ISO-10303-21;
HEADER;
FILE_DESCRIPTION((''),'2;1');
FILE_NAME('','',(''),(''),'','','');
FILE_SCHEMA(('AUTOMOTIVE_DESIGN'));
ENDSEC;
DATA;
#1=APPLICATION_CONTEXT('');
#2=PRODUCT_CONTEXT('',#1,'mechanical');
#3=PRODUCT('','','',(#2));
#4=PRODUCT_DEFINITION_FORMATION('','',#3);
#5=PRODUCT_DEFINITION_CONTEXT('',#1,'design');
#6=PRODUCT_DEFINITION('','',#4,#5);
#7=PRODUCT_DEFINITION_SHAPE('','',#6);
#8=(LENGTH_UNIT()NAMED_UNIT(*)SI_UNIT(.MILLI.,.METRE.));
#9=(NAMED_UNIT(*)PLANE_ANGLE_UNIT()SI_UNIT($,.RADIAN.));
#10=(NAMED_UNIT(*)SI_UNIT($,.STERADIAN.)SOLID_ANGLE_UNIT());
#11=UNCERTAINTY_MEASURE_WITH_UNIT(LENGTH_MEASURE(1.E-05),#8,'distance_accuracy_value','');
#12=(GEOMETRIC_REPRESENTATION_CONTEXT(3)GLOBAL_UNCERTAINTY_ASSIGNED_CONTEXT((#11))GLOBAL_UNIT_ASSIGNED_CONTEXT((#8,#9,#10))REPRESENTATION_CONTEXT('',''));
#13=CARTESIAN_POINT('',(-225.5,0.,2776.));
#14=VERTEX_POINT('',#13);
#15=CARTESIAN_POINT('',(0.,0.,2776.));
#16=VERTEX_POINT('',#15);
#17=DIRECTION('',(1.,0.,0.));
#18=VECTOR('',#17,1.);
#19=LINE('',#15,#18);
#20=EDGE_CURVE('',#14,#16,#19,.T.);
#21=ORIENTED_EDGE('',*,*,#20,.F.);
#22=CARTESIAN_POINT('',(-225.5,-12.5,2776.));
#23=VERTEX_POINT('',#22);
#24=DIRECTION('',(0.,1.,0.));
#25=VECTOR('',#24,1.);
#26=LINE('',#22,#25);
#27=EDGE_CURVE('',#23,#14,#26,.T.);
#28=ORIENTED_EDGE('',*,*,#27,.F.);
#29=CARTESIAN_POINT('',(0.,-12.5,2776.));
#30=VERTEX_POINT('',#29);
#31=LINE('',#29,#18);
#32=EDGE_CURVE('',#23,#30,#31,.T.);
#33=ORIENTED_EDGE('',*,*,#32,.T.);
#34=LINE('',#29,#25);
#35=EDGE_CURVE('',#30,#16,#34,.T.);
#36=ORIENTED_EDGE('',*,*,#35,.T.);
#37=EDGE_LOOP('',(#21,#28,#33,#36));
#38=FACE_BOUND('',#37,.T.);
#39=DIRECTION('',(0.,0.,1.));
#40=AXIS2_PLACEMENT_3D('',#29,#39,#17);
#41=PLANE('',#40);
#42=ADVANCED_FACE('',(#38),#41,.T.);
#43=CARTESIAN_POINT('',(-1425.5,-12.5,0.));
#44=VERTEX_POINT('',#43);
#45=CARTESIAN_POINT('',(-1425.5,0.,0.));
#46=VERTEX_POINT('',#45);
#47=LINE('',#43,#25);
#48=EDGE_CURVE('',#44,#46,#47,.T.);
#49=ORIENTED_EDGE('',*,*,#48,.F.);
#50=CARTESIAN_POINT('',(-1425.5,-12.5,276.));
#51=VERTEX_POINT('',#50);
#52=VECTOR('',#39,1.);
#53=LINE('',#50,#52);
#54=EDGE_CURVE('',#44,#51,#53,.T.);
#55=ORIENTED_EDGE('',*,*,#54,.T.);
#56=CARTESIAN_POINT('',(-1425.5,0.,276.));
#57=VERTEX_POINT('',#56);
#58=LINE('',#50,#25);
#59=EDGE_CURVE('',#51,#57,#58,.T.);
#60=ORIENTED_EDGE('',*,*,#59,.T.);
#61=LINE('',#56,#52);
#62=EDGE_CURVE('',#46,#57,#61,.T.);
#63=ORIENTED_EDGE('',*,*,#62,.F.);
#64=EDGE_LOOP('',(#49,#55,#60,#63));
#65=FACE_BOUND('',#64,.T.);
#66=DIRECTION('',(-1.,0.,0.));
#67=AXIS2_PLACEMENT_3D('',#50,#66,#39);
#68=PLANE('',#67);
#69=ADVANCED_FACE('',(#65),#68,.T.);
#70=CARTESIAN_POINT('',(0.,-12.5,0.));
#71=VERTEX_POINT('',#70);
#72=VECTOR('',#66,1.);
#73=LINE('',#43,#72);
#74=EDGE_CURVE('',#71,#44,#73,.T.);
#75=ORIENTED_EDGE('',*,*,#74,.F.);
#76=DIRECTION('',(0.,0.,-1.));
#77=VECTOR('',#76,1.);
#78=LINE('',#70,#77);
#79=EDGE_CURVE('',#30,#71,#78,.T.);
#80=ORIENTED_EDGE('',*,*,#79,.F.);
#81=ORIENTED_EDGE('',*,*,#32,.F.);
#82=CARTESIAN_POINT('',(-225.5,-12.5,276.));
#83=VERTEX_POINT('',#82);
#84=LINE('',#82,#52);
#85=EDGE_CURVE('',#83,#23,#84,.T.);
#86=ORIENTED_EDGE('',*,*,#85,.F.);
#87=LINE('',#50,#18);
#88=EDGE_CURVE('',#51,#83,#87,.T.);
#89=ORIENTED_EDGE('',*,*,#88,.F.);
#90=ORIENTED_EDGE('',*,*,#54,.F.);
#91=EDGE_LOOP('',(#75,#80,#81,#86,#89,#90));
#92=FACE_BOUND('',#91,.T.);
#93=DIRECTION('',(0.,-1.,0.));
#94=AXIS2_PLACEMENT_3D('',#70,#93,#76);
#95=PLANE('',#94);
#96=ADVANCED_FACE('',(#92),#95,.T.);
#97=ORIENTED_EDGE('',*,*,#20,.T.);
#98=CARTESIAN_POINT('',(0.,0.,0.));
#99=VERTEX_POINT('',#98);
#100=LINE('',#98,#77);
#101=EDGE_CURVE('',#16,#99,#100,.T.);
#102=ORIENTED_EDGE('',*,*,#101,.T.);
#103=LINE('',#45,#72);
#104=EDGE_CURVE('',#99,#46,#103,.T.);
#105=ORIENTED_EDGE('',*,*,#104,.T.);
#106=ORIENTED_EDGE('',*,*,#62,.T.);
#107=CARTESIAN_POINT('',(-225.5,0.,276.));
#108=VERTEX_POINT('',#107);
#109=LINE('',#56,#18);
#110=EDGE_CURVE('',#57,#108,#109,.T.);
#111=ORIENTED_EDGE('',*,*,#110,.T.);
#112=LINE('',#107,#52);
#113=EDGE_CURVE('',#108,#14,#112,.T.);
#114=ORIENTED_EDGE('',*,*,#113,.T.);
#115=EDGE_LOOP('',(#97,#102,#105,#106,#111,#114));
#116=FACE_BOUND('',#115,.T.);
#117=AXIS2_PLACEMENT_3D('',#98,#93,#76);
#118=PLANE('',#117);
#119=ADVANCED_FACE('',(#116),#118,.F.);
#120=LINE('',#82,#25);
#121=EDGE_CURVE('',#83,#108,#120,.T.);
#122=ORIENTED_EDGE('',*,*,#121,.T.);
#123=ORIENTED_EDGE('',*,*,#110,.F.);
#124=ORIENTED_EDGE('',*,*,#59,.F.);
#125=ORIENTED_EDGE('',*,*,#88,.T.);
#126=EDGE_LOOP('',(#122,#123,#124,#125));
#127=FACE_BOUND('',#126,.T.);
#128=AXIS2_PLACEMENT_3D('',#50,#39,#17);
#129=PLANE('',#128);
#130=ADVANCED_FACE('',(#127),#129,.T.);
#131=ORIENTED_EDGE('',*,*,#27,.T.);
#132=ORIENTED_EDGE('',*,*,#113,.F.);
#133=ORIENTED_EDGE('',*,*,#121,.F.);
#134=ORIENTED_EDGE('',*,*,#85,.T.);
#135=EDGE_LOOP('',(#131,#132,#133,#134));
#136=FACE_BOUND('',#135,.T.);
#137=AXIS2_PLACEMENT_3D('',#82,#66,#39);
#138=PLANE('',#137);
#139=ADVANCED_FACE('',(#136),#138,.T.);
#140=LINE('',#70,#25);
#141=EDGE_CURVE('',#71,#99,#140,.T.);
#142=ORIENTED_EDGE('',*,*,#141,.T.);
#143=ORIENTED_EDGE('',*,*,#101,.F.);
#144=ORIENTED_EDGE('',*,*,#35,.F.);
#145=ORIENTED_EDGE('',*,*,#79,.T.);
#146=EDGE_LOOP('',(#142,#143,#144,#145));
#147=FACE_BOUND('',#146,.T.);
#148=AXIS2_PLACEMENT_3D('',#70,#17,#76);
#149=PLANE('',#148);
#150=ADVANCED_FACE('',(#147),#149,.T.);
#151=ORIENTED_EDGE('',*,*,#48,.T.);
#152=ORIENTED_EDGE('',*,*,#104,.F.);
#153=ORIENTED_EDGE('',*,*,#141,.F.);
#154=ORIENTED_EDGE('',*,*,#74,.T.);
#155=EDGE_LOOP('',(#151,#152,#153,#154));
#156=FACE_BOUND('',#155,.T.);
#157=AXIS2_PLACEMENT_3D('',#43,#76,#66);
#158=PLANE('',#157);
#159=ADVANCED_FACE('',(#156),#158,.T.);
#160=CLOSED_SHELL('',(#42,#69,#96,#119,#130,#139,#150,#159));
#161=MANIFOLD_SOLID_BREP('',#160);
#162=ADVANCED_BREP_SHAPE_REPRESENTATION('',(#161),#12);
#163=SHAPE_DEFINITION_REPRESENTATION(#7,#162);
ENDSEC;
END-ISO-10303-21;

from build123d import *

# Parameters (mm, degrees)
EXTRUDE_1_DEPTH = 12.5


with BuildPart() as part:
    # Эскиз1 → Бобышка-Вытянуть1 (new body)
    with BuildSketch(Plane(origin=(0, 0, 0), x_dir=(1, 0, 0), z_dir=(0, 1, 0))):
        Polygon((-225.5, -276), (-225.5, -2776), (0, -2776), (0, 0), (-1425.5, 0), (-1425.5, -276), align=None)
    extrude(amount=-EXTRUDE_1_DEPTH)


solid = part.part
